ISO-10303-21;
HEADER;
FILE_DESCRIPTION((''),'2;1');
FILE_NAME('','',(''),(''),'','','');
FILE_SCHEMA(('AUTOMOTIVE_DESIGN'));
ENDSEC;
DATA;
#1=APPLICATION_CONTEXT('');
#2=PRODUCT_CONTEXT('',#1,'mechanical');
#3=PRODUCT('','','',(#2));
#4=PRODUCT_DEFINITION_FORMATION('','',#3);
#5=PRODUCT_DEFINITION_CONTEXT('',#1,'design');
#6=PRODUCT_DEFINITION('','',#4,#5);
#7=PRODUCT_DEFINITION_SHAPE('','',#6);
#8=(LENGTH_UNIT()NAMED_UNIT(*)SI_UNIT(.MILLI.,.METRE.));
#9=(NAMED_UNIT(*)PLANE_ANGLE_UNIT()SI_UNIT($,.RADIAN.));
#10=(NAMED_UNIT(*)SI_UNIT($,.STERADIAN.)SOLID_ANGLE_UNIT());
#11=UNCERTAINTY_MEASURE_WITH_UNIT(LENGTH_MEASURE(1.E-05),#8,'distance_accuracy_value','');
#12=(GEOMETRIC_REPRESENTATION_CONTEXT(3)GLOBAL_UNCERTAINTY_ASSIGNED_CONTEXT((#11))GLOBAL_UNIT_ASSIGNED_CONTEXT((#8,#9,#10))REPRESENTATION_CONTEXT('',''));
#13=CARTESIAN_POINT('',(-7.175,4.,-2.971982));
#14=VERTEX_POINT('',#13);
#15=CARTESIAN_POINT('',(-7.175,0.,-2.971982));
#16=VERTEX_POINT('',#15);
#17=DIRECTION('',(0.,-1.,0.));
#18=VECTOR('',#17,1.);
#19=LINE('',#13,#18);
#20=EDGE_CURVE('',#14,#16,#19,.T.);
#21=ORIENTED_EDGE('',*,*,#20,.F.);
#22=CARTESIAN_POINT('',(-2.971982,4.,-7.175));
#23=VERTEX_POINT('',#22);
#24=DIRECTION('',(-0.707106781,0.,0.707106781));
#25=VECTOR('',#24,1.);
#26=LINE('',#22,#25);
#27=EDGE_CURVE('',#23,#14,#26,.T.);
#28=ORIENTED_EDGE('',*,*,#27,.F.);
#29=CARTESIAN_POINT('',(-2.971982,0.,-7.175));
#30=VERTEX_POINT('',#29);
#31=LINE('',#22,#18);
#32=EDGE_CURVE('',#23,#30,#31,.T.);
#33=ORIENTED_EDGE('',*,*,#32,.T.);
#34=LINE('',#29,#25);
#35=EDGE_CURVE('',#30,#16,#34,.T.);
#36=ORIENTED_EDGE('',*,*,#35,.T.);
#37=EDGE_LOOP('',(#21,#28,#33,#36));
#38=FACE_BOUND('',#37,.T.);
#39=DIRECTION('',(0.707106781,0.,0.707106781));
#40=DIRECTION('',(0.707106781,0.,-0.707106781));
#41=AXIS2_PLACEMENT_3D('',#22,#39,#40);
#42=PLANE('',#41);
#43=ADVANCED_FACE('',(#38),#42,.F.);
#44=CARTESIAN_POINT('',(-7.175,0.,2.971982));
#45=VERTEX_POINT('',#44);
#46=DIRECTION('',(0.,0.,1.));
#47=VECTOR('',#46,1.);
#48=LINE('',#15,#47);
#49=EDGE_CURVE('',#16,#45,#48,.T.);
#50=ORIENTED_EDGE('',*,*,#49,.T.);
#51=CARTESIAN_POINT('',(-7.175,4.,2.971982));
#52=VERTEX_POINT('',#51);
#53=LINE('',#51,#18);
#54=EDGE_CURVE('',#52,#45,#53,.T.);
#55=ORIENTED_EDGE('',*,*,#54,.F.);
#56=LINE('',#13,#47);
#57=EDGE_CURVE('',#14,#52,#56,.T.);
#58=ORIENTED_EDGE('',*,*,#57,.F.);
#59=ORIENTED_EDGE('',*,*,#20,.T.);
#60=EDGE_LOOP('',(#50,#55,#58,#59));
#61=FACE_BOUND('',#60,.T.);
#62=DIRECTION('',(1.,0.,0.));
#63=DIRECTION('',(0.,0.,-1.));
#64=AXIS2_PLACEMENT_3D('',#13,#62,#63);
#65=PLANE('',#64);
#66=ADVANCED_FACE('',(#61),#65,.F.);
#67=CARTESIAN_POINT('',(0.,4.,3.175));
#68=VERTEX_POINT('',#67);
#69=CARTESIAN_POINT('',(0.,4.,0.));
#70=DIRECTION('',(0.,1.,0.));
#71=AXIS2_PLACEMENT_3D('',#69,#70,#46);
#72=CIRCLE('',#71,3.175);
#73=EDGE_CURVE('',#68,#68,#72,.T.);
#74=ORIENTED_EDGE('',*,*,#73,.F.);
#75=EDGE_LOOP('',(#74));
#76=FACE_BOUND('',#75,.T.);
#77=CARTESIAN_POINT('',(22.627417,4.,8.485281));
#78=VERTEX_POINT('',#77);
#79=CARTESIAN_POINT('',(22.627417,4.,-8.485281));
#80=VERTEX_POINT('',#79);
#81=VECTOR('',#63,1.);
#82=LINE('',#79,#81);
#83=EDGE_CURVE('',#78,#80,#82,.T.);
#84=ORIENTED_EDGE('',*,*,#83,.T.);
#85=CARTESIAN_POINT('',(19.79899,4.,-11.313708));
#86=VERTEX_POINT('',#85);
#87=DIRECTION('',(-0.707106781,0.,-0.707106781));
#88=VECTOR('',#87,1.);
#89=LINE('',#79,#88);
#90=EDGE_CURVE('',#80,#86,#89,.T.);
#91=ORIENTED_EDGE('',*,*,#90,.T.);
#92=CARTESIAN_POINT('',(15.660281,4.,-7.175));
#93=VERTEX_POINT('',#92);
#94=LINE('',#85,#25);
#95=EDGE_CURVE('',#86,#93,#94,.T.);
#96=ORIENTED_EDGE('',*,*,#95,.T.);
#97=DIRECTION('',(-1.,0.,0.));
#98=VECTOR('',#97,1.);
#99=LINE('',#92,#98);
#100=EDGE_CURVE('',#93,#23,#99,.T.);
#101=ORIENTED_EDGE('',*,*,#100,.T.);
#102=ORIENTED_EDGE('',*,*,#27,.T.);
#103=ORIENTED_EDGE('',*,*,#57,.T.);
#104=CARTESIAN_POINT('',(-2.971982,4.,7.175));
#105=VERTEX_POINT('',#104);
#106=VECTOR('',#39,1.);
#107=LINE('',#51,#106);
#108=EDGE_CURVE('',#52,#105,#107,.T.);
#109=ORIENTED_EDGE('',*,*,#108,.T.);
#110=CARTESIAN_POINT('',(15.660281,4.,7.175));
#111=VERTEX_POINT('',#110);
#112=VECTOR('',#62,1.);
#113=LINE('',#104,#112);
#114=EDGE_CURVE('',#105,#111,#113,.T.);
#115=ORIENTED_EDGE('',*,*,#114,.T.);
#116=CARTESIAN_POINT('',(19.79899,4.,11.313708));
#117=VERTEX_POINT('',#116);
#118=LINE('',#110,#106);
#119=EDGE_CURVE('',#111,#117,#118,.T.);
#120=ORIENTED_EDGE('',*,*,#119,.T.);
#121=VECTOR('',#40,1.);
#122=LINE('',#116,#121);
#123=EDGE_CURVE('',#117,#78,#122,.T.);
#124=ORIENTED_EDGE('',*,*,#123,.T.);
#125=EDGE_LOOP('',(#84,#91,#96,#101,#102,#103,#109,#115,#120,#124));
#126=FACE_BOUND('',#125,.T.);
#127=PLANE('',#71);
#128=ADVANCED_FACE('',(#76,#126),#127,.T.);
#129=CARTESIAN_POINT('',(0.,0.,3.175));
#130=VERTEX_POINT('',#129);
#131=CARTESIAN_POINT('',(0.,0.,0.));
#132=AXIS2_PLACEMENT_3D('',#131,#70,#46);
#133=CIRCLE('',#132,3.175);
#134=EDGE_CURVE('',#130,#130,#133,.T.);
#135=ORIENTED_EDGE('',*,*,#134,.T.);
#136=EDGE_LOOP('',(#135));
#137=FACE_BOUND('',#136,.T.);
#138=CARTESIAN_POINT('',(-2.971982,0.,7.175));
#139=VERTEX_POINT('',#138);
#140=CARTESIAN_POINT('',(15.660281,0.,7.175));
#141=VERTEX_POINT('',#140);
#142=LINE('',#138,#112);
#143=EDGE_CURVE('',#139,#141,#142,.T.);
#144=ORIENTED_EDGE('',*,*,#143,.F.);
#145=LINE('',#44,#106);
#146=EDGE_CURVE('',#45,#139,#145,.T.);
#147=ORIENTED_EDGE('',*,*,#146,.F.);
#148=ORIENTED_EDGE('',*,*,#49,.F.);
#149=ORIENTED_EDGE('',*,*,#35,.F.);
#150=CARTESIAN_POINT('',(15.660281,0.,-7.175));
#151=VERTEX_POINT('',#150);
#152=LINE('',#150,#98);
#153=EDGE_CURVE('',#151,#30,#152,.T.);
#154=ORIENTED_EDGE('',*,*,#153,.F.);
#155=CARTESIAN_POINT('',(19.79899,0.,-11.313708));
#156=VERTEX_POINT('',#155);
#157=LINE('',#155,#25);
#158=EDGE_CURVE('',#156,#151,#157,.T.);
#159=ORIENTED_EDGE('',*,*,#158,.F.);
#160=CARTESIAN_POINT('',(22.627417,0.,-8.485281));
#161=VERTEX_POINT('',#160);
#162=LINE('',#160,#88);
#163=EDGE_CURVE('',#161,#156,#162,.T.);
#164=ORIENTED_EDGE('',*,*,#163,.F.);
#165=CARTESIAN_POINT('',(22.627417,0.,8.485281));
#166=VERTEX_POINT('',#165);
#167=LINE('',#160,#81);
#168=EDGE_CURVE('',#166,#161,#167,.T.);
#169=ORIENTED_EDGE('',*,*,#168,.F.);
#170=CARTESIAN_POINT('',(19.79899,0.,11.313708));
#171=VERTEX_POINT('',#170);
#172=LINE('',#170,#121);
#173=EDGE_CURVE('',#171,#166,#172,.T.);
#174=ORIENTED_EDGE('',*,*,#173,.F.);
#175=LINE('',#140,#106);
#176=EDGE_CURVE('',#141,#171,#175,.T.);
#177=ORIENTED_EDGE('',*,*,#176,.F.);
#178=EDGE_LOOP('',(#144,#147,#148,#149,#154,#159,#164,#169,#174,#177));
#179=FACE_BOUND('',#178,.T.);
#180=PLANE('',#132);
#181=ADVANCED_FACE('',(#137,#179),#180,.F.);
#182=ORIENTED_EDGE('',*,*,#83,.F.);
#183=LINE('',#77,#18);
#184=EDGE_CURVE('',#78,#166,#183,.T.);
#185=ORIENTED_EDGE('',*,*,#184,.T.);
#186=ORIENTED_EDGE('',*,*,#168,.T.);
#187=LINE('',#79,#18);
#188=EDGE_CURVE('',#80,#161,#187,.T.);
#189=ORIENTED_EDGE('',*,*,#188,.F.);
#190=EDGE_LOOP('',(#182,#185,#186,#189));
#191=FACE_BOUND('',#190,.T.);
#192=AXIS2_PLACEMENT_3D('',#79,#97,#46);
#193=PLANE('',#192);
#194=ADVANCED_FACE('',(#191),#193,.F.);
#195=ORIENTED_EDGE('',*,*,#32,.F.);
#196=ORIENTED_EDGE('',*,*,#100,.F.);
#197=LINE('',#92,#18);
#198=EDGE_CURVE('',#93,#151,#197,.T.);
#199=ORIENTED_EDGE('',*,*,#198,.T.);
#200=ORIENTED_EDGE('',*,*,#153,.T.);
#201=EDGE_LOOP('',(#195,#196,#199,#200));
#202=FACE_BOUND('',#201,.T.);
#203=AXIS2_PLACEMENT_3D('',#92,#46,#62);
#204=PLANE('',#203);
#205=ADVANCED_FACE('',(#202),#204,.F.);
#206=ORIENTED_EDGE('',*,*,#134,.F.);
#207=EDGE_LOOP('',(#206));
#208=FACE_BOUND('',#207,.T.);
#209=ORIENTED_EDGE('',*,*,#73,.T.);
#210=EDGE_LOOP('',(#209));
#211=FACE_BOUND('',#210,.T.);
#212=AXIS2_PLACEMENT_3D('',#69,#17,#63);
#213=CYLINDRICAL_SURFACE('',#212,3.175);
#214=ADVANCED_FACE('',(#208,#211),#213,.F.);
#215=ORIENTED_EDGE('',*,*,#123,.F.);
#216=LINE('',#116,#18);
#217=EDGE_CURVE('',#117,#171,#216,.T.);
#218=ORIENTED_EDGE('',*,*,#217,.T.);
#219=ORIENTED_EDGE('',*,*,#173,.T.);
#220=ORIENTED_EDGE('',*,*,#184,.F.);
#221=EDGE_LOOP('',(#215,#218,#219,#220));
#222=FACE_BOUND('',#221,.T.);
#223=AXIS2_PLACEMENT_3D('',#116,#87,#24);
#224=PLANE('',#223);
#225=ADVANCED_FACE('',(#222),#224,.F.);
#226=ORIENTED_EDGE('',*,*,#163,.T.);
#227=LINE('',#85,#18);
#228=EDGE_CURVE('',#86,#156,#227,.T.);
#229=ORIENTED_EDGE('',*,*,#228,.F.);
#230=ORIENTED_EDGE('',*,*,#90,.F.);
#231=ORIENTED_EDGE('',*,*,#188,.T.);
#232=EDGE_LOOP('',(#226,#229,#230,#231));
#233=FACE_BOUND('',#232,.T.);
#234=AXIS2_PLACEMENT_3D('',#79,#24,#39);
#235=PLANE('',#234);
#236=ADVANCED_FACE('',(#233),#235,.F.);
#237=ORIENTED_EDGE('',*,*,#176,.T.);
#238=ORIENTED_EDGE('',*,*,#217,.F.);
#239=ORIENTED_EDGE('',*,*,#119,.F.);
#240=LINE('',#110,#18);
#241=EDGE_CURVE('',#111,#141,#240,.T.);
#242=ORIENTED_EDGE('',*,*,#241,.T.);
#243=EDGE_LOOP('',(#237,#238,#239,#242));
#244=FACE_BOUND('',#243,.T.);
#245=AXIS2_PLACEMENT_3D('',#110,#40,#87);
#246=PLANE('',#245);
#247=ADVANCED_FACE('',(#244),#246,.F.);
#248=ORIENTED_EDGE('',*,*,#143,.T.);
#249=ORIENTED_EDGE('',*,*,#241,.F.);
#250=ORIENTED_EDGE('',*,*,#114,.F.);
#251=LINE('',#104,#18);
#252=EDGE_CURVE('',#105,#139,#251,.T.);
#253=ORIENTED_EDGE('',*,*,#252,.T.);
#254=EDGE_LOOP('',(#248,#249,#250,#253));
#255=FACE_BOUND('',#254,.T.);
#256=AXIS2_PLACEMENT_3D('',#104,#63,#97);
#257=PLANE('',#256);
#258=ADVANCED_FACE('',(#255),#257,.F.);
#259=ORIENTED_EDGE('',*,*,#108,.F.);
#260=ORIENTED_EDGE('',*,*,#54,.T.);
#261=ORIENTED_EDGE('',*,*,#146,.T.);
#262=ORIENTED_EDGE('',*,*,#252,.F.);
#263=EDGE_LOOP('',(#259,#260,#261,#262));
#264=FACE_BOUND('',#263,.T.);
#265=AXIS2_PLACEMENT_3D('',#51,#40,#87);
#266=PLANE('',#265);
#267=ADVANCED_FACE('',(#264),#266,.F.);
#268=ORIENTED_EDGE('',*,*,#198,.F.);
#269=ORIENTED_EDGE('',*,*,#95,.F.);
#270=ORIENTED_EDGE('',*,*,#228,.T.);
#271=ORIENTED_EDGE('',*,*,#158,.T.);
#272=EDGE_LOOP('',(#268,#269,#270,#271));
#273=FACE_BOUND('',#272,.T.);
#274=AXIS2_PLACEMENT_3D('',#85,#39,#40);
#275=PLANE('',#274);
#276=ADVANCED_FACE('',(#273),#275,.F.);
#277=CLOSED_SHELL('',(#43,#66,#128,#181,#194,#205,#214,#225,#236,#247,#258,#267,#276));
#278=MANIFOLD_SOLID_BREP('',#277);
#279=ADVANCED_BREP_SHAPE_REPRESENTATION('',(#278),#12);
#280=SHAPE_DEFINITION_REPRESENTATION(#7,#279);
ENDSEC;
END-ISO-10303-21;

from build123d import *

# Parameters (mm, degrees)
SKETCH1_R           = 3.175
BOSS_EXTRUDE1_DEPTH = 4


with BuildPart() as part:
    # Sketch1 → Boss-Extrude1 (new body)
    with BuildSketch(Plane(origin=(0, 0, 0), x_dir=(1, 0, 0), z_dir=(0, 1, 0))):
        Polygon((-7.175, 2.97198231), (-7.175, -2.97198231), (-2.97198231, -7.175), (15.660281374, -7.175), (19.798989873, -11.313708499), (22.627416998, -8.485281374), (22.627416998, 8.485281374), (19.798989873, 11.313708499), (15.660281374, 7.175), (-2.97198231, 7.175), align=None)
        with Locations(Location((0, 0, 0), (0, 0, 270))):
            Circle(SKETCH1_R, mode=Mode.SUBTRACT)
    extrude(amount=BOSS_EXTRUDE1_DEPTH)


solid = part.part
